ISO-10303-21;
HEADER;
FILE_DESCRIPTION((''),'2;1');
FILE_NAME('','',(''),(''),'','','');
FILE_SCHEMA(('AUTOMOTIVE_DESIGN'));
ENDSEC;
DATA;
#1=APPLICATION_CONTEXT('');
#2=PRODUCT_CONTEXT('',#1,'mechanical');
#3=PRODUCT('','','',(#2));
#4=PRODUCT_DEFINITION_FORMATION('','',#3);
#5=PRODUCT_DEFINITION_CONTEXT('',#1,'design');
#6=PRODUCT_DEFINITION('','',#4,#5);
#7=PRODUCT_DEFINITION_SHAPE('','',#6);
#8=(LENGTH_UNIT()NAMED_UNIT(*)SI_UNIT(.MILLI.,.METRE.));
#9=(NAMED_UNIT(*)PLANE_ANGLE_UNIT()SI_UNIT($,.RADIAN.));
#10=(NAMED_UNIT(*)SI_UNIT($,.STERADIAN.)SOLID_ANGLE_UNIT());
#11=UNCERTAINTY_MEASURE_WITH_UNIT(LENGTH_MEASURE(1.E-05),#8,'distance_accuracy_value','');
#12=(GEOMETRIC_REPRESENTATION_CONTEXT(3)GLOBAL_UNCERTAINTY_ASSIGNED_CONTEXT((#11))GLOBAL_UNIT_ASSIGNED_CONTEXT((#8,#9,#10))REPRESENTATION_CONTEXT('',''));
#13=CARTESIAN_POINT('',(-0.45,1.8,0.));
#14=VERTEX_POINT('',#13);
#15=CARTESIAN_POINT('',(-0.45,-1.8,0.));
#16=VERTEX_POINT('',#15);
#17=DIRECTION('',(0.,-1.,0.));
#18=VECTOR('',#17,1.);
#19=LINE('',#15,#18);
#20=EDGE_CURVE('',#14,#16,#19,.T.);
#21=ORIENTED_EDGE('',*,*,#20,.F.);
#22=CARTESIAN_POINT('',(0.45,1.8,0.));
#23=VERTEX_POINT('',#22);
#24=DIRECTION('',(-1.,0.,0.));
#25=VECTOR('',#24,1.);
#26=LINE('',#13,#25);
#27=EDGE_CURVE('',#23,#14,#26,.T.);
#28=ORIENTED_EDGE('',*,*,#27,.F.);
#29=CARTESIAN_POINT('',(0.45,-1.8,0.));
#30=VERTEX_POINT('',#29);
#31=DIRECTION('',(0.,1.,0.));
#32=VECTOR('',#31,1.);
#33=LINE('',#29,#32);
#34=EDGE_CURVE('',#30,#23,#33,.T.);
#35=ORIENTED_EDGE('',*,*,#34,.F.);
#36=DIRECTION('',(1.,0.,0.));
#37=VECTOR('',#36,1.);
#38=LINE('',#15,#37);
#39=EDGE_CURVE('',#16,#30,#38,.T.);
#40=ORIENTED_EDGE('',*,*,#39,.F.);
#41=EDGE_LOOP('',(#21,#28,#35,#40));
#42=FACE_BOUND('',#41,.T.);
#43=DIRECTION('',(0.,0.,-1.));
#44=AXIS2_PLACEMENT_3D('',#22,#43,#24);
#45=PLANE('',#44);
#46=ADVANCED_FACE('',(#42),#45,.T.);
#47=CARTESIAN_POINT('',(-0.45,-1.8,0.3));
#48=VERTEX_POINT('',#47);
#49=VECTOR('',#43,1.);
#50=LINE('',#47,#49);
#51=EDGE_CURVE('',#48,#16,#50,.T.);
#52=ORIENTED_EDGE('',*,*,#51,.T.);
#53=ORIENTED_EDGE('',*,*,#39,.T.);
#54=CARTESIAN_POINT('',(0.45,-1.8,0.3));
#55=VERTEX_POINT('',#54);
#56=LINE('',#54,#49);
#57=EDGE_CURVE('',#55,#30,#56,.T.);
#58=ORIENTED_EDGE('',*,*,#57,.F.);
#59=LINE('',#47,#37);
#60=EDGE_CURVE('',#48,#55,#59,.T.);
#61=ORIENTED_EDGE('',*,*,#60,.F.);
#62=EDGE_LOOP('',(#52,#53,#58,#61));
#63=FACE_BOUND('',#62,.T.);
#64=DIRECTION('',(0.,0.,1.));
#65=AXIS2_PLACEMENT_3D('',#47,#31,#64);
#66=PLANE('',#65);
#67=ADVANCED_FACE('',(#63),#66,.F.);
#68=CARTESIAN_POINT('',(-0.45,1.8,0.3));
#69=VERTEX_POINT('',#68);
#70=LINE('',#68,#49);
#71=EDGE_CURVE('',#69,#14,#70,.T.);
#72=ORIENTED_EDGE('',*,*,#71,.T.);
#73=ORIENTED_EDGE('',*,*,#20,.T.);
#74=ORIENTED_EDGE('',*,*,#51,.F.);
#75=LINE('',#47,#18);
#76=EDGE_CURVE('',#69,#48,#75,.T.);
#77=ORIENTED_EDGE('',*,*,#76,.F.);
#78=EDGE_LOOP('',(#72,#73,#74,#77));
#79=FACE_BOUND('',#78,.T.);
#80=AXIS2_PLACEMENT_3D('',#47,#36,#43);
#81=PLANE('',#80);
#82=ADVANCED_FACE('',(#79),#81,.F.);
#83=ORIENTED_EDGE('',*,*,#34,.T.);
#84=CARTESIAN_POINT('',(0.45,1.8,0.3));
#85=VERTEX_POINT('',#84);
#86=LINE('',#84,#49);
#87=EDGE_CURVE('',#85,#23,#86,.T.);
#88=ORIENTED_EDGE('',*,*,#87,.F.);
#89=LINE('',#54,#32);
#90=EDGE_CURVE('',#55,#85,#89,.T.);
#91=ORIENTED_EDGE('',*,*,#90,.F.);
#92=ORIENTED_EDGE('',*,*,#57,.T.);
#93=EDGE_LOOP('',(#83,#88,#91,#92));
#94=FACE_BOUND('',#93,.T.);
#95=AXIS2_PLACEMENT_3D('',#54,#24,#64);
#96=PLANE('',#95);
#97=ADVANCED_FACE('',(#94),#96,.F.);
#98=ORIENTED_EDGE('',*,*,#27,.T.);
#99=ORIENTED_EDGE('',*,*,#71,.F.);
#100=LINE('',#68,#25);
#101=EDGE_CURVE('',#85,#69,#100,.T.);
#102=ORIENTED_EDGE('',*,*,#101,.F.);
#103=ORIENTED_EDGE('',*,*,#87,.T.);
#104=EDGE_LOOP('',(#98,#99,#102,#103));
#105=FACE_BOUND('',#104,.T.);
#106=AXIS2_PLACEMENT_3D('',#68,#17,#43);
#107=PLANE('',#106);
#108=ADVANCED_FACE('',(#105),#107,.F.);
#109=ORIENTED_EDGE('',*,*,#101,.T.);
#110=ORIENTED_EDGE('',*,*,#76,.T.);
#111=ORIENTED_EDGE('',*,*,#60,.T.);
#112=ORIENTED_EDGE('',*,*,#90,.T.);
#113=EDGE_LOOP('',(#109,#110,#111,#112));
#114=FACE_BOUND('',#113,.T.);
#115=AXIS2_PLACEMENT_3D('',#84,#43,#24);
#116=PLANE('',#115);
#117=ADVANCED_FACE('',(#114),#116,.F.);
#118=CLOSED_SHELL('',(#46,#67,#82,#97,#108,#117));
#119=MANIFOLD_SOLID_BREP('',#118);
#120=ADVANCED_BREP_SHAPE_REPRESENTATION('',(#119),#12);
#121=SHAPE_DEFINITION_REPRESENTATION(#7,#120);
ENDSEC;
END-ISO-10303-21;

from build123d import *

# Parameters (mm, degrees)
SKETCH_1_W      = 0.9
SKETCH_1_H      = 3.6
EXTRUDE_1_DEPTH = 0.3


with BuildPart() as part:
    # Эскиз1 → Бобышка-Вытянуть1 (new body)
    with BuildSketch(Plane.XY):
        Rectangle(SKETCH_1_W, SKETCH_1_H)
    extrude(amount=EXTRUDE_1_DEPTH)


solid = part.part
